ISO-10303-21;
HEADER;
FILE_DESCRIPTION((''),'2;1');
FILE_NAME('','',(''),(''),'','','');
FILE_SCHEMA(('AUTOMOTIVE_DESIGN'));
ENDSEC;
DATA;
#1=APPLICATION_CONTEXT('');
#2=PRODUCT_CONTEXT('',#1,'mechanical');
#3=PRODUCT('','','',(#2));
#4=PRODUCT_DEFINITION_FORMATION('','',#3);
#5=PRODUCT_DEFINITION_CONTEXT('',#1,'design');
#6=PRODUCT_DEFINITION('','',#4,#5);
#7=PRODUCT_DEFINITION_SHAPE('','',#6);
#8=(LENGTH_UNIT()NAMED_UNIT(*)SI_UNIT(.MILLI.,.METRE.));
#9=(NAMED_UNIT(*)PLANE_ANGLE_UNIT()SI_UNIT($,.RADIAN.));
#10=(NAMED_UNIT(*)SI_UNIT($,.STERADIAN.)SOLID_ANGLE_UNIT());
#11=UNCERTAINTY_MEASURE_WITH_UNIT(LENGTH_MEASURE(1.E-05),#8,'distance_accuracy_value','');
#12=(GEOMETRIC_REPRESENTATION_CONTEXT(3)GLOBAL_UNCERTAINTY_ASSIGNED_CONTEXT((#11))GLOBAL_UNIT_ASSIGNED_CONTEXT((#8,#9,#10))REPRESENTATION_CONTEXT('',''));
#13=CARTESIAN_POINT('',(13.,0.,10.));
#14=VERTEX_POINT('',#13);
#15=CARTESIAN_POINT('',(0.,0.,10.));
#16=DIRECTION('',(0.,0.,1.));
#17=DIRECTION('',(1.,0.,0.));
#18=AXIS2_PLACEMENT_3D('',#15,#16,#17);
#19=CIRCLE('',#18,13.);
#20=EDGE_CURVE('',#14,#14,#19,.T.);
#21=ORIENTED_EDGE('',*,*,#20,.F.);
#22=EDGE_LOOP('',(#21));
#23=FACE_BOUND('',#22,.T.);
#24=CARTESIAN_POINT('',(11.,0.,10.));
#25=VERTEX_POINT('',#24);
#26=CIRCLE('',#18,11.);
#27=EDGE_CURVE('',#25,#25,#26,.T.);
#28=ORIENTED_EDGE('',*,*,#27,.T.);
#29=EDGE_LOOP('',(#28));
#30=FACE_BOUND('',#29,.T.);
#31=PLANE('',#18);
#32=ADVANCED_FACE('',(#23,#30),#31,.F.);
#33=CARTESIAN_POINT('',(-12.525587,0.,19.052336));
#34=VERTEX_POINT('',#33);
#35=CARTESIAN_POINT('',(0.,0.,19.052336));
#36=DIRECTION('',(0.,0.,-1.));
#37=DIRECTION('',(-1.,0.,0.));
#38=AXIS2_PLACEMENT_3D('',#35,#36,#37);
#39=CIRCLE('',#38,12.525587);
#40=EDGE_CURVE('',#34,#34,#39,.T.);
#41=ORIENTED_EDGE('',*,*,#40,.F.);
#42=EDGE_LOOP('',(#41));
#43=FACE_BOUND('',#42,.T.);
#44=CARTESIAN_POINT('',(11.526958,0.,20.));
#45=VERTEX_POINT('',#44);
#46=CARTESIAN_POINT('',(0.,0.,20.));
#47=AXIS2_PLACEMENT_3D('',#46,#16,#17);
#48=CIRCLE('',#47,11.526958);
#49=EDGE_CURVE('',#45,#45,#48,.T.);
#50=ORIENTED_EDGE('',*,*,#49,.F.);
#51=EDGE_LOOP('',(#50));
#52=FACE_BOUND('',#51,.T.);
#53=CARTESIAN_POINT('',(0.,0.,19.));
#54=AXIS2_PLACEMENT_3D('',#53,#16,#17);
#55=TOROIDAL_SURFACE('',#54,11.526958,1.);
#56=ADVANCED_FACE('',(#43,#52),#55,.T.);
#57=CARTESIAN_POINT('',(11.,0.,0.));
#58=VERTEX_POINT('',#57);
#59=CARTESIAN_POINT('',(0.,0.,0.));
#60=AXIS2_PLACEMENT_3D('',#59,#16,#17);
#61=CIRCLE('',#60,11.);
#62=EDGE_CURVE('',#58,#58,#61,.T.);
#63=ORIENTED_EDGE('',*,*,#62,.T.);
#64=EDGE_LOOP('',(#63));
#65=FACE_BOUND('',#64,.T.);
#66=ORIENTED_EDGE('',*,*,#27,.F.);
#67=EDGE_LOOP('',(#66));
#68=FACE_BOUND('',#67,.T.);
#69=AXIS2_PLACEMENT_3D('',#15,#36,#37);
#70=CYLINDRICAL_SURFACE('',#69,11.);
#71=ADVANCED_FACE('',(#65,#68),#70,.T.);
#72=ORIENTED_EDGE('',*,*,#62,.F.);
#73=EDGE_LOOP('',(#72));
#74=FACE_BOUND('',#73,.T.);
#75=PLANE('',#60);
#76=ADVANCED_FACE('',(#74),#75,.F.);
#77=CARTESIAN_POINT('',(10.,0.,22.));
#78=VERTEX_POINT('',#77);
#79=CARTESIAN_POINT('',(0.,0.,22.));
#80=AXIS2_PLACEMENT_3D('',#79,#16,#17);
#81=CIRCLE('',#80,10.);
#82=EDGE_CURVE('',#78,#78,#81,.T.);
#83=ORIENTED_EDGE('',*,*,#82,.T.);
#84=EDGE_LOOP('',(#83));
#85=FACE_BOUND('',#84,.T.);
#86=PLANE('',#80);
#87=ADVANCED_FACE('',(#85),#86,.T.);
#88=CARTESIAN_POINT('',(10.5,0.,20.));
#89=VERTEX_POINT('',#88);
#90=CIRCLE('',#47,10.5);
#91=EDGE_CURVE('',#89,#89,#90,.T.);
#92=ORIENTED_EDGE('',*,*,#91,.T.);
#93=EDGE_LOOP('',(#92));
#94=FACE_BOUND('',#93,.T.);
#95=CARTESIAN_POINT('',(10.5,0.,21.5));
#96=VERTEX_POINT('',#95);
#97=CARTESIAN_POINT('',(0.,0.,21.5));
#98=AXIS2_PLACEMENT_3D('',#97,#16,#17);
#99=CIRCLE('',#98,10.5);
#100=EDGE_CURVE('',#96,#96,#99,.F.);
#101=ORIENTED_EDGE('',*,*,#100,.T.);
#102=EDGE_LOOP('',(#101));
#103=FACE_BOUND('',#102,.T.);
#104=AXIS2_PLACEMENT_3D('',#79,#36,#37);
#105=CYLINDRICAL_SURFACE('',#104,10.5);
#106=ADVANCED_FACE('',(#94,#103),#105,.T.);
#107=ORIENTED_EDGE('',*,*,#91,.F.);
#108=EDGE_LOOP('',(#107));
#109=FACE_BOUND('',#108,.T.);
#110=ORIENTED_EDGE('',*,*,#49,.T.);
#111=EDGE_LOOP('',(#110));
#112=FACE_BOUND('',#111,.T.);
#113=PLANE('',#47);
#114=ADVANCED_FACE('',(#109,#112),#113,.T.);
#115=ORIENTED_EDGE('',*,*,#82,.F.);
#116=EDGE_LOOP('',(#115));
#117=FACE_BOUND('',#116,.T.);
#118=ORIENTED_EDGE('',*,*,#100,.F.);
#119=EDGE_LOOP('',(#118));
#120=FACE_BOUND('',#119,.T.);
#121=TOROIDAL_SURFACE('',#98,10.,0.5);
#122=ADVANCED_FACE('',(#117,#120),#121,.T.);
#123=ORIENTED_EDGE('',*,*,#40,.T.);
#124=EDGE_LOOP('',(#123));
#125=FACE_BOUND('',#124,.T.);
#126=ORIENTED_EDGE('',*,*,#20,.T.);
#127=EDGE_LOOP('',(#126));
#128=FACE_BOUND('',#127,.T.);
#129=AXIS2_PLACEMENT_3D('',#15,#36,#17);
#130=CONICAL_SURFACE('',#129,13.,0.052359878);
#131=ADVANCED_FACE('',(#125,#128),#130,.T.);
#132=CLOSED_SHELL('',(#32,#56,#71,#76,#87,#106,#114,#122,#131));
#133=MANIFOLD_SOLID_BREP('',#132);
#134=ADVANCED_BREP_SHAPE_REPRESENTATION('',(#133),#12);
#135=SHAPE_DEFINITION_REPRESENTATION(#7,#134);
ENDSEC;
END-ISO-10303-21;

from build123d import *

# Parameters (mm, degrees)
SKETCH_1_R      = 11
EXTRUDE_1_DEPTH = 10
SKETCH_2_R      = 13
EXTRUDE_2_DEPTH = 10
EXTRUDE_2_TAPER = 3
FILLET_1_R      = 1
SKETCH_3_R      = 10.5
EXTRUDE_3_DEPTH = 2
FILLET_2_R      = 0.5


with BuildPart() as part:
    # 草图1 → 凸台-拉伸1 (new body)
    with BuildSketch(Plane.XY):
        Circle(SKETCH_1_R)
    extrude(amount=EXTRUDE_1_DEPTH)

    # 草图2 → 凸台-拉伸2 (add)
    with BuildSketch(Plane.XY.offset(10)):
        Circle(SKETCH_2_R)
    extrude(amount=EXTRUDE_2_DEPTH, taper=EXTRUDE_2_TAPER)

    # 圆角1
    fillet_1_edges = [part.edges().sort_by_distance(p)[0] for p in [
        (-12.475922207, 0, 20),
    ]]
    fillet(fillet_1_edges, radius=FILLET_1_R)

    # 草图3 → 凸台-拉伸3 (add)
    with BuildSketch(Plane.XY.offset(20)):
        Circle(SKETCH_3_R)
    extrude(amount=EXTRUDE_3_DEPTH)

    # 圆角2
    fillet_2_edges = [part.edges().sort_by_distance(p)[0] for p in [
        (-10.5, 0, 22),
    ]]
    fillet(fillet_2_edges, radius=FILLET_2_R)


solid = part.part
